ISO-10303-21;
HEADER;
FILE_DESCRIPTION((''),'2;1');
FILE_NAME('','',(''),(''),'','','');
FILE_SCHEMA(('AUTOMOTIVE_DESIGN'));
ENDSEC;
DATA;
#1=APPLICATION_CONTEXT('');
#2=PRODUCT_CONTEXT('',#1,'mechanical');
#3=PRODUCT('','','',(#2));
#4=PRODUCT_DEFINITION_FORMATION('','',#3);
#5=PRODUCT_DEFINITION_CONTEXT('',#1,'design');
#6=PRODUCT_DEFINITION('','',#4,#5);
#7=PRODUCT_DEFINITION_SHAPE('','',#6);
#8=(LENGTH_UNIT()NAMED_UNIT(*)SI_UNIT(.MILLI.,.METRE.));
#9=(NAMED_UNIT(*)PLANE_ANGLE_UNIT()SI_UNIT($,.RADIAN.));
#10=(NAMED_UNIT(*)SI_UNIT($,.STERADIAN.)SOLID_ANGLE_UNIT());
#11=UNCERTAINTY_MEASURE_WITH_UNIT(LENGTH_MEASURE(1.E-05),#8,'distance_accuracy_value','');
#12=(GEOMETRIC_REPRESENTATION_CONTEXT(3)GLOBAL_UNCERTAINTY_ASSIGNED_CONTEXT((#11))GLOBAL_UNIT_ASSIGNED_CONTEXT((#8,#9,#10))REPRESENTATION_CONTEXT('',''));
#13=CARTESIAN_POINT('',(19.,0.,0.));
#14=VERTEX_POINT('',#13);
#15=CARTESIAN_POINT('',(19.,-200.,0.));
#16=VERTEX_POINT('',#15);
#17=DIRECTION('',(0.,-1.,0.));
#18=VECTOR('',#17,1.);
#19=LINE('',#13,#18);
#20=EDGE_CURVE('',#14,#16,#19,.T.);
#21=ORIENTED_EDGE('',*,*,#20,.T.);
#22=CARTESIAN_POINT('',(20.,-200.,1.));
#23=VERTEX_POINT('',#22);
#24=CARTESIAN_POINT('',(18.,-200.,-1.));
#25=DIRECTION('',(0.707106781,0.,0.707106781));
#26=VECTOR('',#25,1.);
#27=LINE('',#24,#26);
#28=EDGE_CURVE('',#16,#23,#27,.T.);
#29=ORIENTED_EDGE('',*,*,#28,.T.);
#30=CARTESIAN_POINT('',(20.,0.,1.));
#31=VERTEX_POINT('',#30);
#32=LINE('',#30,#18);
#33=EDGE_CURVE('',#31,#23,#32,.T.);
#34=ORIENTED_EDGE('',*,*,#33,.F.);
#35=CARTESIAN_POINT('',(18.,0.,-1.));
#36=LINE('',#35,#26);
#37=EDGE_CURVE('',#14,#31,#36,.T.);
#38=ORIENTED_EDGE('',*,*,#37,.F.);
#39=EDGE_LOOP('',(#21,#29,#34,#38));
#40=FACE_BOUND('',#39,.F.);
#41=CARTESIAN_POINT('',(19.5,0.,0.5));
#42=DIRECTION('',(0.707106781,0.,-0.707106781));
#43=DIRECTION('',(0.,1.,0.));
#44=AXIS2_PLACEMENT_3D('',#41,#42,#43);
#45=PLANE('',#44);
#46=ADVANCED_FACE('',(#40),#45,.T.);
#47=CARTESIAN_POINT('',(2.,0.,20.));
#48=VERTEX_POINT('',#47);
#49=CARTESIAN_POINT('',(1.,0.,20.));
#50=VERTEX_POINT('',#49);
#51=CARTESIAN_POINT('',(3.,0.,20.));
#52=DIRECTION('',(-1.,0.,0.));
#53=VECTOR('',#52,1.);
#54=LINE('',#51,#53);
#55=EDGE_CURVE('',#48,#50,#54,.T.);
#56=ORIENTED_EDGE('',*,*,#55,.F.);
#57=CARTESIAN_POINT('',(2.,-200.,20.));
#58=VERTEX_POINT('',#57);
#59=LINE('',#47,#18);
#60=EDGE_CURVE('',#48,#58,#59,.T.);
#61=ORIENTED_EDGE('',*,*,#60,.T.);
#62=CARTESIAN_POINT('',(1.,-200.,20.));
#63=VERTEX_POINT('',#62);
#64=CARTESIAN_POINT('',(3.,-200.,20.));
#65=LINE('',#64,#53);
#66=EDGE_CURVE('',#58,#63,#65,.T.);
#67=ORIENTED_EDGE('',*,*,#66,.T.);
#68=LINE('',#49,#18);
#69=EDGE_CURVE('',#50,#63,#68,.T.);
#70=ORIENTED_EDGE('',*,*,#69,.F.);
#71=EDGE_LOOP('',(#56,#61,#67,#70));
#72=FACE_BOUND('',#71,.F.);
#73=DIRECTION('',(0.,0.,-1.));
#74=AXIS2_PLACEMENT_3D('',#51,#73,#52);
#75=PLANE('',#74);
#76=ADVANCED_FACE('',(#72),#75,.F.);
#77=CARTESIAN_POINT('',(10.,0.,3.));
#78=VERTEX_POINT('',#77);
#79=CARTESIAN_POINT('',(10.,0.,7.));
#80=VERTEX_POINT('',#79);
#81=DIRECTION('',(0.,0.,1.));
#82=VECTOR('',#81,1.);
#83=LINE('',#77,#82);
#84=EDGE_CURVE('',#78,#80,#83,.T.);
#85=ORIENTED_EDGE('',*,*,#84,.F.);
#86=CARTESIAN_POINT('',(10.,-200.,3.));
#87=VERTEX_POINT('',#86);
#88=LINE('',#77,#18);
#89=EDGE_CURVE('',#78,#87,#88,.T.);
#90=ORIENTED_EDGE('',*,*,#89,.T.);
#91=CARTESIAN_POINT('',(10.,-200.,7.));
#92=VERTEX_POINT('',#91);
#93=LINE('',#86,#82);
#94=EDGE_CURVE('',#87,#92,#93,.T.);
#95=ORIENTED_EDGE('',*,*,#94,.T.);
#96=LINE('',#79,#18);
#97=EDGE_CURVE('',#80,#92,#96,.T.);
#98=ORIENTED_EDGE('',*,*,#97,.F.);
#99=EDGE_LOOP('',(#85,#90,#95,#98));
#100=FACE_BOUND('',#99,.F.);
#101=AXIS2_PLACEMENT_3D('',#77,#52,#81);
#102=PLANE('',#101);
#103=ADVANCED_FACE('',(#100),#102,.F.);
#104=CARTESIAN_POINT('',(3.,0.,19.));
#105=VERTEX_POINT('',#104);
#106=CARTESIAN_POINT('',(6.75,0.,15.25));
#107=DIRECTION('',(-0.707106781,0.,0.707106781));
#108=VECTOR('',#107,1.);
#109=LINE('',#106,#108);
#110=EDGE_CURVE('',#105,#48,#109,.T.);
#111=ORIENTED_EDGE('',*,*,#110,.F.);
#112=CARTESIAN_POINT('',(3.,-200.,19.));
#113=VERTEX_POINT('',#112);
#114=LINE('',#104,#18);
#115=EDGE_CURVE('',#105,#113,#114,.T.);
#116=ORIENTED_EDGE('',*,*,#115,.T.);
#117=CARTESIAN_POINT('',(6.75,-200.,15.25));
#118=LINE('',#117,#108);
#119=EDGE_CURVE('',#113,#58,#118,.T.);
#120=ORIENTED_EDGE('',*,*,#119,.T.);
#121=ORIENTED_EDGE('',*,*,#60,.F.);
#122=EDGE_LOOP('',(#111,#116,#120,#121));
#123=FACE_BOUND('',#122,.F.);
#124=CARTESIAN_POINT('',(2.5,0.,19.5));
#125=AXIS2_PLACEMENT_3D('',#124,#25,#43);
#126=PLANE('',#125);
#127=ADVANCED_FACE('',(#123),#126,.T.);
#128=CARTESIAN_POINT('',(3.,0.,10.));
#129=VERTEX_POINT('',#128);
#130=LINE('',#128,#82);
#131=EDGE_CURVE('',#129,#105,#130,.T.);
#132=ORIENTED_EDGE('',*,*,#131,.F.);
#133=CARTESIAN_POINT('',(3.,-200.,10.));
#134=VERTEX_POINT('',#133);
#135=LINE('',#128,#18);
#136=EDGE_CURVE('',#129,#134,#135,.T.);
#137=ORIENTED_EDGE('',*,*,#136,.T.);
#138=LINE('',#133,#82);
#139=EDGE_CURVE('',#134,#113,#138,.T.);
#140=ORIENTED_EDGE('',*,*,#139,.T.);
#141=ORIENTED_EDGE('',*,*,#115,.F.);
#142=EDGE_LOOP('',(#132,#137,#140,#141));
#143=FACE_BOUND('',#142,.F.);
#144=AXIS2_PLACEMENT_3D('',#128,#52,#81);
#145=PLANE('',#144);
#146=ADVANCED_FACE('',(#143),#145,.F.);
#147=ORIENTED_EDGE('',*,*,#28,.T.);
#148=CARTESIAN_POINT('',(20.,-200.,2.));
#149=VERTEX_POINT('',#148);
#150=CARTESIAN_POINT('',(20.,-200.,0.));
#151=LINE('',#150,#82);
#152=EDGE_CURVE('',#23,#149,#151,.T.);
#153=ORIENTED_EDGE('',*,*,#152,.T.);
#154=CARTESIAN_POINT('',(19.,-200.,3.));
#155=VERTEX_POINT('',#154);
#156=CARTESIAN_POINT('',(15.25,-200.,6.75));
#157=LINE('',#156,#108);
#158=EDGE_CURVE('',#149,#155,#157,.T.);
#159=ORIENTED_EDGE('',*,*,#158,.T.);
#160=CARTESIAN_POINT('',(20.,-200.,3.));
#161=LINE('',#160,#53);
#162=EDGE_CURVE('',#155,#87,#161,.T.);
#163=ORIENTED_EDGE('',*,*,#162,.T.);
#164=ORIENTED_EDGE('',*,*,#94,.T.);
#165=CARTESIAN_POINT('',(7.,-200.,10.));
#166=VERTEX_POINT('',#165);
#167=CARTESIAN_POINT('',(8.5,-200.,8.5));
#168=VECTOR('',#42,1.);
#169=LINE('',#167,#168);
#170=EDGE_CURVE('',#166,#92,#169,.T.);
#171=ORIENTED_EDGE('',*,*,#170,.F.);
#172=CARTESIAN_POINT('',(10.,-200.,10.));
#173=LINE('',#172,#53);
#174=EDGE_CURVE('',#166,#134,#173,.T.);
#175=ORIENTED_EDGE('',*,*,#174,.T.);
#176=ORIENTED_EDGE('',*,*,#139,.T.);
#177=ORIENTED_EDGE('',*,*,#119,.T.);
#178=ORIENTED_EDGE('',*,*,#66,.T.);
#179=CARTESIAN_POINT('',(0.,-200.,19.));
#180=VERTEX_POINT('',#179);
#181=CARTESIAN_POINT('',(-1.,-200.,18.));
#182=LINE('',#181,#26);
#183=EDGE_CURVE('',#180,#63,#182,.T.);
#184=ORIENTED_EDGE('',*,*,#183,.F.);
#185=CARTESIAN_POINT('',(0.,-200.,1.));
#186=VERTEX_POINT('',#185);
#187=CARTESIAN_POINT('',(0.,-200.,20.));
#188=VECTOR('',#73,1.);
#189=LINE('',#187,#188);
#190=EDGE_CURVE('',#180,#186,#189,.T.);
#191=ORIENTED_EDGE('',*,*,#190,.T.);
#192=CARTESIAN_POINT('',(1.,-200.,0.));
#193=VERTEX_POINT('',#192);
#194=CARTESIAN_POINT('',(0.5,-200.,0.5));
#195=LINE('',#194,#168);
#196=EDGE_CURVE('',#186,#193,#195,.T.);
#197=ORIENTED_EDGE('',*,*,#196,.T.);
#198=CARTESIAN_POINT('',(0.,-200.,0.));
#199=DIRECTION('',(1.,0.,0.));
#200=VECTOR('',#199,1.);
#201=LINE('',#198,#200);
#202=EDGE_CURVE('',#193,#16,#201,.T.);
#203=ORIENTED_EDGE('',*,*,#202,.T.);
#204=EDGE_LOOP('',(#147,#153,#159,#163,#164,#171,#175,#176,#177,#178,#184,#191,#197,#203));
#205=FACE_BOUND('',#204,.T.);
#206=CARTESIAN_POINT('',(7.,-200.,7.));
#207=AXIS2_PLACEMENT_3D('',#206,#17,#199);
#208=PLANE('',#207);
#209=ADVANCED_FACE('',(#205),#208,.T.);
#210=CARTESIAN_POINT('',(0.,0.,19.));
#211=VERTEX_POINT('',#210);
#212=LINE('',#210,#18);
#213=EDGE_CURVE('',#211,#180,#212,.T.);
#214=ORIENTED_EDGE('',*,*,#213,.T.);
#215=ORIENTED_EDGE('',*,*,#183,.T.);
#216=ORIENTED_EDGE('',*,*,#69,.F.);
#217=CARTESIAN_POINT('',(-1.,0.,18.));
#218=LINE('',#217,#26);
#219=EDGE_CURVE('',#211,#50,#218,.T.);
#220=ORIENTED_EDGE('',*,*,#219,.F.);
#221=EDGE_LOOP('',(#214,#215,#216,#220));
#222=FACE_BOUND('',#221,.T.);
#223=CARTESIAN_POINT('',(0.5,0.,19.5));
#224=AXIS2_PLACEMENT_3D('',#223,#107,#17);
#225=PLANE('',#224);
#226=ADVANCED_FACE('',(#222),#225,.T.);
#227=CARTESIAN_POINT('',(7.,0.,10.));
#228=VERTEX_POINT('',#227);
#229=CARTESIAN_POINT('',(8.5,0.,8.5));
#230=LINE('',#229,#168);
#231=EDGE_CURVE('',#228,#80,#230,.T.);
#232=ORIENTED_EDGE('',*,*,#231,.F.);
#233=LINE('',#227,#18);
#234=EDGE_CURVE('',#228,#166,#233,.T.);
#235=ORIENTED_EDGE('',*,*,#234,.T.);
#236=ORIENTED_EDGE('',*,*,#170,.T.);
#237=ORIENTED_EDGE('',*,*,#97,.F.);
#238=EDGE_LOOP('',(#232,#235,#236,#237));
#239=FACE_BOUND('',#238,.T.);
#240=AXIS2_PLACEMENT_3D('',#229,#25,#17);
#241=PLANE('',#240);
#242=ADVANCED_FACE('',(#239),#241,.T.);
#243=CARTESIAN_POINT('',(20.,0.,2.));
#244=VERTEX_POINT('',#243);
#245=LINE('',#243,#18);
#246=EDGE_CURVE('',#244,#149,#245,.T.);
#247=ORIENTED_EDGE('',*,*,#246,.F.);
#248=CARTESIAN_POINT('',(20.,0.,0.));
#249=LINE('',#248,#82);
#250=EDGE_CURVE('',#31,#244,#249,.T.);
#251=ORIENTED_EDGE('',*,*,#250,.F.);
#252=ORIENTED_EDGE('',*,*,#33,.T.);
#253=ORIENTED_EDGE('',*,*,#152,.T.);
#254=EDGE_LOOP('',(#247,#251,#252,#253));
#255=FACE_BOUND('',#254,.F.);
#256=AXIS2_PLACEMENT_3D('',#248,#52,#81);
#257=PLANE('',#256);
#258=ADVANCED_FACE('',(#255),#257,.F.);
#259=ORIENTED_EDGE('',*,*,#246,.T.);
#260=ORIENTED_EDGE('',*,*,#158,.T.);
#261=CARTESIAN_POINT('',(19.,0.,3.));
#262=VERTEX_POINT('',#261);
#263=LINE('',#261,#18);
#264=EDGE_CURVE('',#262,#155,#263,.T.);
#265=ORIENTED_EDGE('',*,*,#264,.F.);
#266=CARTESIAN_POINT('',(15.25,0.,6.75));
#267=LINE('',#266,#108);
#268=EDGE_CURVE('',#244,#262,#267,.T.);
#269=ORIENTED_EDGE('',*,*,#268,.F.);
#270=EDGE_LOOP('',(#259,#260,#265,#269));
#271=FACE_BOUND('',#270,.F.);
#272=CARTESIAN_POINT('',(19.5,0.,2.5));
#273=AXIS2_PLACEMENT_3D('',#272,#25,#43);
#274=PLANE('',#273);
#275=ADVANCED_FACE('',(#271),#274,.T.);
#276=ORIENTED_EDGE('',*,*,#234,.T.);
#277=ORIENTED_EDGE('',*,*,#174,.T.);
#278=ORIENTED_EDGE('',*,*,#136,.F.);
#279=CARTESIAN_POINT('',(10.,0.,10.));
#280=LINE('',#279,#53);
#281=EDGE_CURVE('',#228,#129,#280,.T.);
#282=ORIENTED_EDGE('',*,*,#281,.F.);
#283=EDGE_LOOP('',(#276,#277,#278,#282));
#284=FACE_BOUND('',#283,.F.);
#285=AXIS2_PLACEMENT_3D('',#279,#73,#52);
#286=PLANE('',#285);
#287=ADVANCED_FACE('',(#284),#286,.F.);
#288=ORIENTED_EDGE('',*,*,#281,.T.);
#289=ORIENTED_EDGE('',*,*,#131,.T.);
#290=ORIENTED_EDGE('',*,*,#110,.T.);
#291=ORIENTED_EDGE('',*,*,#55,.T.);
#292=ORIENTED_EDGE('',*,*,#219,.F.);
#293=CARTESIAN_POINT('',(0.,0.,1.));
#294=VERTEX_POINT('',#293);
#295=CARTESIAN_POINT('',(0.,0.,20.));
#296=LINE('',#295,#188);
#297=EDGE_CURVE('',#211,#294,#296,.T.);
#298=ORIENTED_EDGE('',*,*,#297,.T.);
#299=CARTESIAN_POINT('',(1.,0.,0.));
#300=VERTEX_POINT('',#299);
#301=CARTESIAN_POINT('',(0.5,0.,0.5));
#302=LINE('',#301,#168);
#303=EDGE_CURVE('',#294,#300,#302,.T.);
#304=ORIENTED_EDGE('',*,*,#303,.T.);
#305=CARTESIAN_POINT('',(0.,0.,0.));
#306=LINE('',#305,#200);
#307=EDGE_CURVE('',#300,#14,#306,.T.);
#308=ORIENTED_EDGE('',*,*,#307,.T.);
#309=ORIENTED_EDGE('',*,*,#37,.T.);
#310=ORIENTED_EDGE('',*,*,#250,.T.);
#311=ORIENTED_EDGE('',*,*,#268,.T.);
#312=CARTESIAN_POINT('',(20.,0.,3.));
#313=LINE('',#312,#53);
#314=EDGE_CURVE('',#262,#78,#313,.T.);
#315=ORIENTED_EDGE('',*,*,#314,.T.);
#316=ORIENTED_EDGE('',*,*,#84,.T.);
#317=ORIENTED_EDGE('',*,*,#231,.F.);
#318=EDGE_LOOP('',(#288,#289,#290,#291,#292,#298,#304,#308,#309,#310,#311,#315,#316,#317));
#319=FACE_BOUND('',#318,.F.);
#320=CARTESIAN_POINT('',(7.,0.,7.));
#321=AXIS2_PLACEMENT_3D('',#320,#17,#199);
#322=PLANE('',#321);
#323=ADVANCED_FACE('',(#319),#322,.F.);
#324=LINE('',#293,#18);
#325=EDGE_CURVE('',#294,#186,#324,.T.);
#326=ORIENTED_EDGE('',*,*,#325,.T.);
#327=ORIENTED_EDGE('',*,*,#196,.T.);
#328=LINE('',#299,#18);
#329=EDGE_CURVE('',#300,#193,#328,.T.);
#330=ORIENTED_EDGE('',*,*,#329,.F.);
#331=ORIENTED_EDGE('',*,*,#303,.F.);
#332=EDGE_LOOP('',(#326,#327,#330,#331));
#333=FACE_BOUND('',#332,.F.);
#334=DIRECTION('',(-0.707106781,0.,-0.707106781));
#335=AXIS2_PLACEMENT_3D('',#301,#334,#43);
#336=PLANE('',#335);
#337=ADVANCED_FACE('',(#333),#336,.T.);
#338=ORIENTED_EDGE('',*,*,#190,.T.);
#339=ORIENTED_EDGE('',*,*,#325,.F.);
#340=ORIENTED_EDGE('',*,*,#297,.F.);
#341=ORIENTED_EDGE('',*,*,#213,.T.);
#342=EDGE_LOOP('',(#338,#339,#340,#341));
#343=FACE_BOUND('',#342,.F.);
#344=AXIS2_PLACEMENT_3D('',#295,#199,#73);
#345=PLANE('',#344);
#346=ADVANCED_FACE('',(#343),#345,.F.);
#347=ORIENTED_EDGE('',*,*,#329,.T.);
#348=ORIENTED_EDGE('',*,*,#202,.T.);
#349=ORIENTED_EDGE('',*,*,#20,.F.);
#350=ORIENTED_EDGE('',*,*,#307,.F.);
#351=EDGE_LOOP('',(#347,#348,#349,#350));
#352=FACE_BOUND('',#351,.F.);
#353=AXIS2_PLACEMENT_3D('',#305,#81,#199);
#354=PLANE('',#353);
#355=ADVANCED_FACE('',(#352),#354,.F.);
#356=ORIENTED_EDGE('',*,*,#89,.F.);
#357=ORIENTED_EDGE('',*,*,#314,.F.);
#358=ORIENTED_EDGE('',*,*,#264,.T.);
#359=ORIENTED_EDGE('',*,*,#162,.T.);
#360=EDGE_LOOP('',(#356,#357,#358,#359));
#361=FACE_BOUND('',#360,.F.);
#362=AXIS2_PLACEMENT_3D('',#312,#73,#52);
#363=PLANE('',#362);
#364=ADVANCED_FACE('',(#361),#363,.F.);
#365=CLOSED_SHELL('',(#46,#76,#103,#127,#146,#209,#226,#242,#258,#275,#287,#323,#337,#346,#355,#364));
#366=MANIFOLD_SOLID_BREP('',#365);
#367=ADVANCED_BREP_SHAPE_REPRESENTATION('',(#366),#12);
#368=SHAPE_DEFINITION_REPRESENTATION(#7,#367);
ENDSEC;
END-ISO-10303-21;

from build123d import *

# Parameters (mm, degrees)
F1_DEPTH = 200
F2_SIZE  = 1
F3_SIZE  = 3


with BuildPart() as f1:
    # F0 (on Front) → F1 (new body)
    with BuildSketch(Plane.XZ):
        Polygon((0, 20), (0, 0), (20, 0), (20, 3), (10, 3), (10, 10), (3, 10), (3, 20), align=None)
    extrude(amount=F1_DEPTH)

    # F2
    f2_edges = [f1.edges().sort_by_distance(p)[0] for p in [
        (0, -100, 20),
        (3, -100, 20),
        (20, -100, 3),
        (20, -100, 0),
        (0, -100, 0),
    ]]
    chamfer(f2_edges, length=F2_SIZE)

    # F3
    f3_edges = [f1.edges().sort_by_distance(p)[0] for p in [
        (10, -100, 10),
    ]]
    chamfer(f3_edges, length=F3_SIZE)


solid = f1.part
